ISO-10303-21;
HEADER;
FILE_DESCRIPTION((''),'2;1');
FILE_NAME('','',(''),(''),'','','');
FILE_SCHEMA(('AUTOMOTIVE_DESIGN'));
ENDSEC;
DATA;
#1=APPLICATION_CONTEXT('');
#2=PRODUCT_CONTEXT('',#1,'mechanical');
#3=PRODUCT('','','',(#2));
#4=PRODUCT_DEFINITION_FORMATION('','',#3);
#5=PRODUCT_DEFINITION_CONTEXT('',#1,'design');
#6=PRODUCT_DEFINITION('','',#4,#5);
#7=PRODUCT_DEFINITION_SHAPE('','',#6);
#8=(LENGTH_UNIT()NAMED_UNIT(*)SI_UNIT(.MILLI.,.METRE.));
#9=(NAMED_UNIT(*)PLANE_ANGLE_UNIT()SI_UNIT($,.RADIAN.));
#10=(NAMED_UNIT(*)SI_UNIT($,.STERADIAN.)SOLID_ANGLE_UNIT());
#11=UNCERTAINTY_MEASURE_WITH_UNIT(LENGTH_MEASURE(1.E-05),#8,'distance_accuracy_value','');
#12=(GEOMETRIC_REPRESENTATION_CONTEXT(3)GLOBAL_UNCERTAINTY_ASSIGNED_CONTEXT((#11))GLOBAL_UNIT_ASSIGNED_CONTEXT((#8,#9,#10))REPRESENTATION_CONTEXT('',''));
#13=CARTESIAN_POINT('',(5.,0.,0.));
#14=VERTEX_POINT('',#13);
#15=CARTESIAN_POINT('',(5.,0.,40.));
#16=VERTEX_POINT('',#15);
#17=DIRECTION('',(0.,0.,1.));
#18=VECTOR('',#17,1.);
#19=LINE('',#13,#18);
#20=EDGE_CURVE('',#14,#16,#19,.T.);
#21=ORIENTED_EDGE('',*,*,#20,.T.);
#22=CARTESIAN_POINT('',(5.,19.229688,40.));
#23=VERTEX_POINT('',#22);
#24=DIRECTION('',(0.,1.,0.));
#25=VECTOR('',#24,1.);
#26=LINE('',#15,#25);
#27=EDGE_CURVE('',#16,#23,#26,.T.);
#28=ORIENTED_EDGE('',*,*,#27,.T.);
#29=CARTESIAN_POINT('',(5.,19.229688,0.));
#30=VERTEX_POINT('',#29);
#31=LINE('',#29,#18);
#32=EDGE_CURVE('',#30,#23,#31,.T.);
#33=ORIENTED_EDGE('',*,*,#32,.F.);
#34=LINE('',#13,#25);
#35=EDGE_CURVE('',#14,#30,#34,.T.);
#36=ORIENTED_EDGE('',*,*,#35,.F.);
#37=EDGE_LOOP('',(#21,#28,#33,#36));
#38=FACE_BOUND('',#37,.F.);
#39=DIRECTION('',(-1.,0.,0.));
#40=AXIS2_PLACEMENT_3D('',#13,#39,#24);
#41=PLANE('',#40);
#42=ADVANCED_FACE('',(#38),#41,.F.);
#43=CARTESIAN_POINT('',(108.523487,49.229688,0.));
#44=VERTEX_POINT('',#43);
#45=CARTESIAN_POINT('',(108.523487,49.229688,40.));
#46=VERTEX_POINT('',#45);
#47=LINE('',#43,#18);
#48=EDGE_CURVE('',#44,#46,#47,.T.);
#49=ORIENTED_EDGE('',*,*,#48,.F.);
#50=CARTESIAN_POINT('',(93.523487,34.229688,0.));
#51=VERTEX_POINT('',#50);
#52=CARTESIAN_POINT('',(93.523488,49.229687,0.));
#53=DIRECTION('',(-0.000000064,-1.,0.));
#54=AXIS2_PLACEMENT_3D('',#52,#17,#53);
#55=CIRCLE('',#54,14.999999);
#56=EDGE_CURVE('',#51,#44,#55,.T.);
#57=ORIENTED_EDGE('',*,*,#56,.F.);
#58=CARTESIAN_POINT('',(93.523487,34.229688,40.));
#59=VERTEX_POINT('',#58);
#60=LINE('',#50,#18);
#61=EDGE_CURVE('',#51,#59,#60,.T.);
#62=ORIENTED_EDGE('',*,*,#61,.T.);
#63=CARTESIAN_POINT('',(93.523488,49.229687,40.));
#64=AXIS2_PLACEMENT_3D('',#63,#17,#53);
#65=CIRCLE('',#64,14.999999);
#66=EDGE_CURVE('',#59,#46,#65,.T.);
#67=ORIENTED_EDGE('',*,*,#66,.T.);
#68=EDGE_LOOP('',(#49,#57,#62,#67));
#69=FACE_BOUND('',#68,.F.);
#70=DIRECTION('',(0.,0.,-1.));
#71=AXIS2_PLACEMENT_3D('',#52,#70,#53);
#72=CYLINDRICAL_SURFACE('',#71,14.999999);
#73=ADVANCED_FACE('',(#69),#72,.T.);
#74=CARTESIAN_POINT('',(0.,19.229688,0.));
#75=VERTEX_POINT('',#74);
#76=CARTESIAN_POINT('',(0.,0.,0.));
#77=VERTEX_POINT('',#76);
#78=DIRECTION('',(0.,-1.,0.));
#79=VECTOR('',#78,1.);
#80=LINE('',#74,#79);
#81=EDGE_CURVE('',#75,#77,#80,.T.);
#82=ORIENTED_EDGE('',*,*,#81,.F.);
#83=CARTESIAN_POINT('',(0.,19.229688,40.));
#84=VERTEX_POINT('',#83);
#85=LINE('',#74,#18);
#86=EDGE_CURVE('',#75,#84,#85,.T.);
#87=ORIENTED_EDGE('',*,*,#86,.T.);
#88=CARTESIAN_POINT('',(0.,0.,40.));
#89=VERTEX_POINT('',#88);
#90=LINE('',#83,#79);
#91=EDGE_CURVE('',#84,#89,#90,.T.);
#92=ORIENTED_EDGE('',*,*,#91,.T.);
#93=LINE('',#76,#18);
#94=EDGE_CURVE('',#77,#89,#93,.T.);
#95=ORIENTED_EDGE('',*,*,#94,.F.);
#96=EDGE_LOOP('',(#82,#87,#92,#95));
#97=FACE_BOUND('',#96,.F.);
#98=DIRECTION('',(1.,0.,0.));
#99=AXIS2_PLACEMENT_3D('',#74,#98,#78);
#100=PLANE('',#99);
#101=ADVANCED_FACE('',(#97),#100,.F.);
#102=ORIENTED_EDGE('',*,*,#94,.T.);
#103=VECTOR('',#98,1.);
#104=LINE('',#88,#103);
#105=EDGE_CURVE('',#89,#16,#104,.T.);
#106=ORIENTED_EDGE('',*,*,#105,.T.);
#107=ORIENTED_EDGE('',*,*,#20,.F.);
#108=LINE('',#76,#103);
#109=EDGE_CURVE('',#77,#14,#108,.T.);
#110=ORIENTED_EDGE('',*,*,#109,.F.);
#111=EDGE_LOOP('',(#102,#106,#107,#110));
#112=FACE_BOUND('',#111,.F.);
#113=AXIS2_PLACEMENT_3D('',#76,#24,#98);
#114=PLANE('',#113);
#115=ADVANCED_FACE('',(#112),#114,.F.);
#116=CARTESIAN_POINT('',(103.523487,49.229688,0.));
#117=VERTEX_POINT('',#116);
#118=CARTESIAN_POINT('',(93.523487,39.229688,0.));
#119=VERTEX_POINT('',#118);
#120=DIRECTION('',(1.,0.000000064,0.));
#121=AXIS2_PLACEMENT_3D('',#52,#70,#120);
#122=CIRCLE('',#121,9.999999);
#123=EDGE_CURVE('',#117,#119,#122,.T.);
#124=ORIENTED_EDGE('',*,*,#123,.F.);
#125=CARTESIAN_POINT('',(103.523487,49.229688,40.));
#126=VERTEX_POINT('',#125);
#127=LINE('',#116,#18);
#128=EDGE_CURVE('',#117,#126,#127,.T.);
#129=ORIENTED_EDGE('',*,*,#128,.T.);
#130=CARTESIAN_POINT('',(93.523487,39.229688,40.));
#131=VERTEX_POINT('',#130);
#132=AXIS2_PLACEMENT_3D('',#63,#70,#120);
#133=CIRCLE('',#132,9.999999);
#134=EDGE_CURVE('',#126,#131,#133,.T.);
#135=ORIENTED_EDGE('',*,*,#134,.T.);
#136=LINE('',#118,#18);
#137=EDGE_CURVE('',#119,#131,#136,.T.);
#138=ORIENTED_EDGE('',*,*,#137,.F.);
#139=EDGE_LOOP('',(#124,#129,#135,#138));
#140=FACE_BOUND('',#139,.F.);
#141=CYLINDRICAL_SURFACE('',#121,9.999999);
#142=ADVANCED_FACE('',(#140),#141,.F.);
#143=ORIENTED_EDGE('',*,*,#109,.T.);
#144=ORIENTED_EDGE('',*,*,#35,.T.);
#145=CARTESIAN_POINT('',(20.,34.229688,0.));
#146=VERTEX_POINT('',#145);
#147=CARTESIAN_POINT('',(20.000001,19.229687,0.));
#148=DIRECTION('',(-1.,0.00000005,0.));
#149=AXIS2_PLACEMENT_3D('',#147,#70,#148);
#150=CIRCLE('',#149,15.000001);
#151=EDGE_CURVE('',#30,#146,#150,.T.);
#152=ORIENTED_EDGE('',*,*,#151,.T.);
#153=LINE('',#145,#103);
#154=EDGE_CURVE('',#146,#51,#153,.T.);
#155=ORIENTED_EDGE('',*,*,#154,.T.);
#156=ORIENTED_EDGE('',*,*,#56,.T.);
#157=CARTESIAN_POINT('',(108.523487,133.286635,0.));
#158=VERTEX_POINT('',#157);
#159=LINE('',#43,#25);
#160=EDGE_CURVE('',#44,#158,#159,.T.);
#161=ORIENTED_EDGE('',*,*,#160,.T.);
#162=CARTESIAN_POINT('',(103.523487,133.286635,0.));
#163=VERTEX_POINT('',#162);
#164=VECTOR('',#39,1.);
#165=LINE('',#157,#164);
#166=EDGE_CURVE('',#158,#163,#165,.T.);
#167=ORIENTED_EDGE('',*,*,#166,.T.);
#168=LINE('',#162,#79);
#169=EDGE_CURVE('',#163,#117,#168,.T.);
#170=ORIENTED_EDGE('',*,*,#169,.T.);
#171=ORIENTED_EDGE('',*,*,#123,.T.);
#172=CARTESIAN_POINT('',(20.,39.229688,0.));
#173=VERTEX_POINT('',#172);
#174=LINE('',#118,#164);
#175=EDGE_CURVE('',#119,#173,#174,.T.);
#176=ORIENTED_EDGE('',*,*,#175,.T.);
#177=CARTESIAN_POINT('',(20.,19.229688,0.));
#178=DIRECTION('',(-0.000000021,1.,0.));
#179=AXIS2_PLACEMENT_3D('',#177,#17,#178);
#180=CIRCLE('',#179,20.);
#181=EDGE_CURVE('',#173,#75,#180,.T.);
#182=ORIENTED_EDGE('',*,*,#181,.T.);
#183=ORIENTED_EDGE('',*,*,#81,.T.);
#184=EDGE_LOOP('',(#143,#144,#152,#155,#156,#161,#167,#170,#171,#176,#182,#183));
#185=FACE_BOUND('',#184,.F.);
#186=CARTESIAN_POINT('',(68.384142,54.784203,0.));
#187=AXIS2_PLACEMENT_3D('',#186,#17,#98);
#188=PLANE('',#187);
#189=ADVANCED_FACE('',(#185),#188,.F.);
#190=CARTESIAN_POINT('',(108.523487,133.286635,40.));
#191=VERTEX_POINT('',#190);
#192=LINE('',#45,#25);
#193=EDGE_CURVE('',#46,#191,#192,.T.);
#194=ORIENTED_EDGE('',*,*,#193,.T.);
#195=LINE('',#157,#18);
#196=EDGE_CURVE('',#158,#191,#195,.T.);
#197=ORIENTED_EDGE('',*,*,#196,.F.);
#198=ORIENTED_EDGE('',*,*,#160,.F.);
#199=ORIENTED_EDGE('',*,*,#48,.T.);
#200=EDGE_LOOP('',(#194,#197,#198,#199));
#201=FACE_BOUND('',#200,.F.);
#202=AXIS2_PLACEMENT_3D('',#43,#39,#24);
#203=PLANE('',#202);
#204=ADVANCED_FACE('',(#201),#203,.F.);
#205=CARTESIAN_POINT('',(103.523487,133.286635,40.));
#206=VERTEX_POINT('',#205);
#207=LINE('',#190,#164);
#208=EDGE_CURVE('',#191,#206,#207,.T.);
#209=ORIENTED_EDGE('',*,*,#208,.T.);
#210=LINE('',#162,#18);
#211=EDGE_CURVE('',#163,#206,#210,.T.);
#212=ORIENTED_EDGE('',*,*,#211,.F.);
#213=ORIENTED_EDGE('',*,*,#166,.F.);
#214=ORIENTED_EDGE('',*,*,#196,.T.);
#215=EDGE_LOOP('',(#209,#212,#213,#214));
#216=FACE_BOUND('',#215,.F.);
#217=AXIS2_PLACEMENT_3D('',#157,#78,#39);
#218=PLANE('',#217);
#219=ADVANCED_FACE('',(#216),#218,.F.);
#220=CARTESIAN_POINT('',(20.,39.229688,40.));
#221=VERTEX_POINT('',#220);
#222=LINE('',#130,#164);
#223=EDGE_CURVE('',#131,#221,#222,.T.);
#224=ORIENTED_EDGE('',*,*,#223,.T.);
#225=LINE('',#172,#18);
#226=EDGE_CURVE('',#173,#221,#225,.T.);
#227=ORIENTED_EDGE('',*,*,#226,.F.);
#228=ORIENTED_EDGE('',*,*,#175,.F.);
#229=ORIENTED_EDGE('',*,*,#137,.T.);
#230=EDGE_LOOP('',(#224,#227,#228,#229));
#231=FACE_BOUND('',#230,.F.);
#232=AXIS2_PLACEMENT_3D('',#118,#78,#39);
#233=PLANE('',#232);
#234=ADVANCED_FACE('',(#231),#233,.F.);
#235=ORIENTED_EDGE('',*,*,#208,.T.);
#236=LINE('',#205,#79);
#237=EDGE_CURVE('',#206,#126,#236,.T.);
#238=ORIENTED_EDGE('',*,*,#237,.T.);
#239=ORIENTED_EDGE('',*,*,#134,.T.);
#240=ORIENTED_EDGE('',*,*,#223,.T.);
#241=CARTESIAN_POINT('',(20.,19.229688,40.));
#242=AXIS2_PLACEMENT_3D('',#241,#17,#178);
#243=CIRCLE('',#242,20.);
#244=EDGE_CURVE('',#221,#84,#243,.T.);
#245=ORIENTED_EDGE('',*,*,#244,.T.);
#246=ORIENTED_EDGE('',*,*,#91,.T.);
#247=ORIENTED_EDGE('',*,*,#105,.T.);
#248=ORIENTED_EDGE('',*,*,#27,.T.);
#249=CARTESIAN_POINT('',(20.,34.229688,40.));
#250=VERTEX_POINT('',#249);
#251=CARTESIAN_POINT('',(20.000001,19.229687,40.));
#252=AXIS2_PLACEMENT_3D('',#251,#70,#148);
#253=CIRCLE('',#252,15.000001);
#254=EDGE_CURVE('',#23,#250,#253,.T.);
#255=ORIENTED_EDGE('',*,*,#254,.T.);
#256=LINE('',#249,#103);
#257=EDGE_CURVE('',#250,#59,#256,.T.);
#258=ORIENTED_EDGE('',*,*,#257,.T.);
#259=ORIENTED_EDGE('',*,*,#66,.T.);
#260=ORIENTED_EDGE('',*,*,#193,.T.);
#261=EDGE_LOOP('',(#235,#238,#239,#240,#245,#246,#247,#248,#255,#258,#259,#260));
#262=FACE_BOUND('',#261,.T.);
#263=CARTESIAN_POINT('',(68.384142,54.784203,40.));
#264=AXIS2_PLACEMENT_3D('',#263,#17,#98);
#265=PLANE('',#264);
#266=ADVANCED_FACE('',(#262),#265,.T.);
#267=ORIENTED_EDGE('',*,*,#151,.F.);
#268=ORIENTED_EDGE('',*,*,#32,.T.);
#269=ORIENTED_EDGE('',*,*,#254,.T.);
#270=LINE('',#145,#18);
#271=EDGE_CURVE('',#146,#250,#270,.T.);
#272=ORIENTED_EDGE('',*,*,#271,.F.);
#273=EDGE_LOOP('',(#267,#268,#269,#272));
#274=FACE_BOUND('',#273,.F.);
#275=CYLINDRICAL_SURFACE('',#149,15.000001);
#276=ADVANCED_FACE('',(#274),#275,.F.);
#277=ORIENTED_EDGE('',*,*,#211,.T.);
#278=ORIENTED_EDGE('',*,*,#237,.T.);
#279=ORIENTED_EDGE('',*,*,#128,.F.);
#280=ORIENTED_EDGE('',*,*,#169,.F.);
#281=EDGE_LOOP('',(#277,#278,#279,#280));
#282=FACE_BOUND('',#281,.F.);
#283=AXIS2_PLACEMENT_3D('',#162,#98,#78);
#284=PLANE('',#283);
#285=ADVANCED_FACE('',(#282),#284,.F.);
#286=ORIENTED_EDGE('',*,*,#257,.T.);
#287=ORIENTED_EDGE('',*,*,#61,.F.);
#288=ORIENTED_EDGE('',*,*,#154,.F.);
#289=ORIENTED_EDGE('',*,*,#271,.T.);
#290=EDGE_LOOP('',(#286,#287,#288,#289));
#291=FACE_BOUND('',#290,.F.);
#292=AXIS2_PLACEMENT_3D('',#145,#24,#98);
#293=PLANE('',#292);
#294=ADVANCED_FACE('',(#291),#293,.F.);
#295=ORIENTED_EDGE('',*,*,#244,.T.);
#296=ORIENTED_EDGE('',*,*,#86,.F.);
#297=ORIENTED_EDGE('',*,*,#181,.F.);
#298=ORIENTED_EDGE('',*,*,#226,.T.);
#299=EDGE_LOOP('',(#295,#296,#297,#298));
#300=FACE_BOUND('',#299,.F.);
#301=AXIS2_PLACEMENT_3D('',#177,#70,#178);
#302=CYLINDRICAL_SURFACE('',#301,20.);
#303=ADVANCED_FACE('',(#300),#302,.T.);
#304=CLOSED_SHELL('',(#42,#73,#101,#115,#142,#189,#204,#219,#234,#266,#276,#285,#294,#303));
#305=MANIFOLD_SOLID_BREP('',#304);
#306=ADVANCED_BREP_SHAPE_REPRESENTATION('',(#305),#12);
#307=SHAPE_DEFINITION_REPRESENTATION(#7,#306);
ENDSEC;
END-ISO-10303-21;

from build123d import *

# Parameters (mm, degrees)
F1_DEPTH = 40


with BuildPart() as f1:
    # F0 (on Top) → F1 (new body)
    with BuildSketch(Plane.XY):
        with BuildLine():
            Line((0, 19.229688), (0, 0))
            Line((0, 0), (5, 0))
            Line((5, 0), (5, 19.229688))
            ThreePointArc((5, 19.229688), (9.393398, 29.836289), (20, 34.229688))
            Line((20, 34.229688), (93.523487, 34.229688))
            ThreePointArc((93.523487, 34.229688), (104.130089, 38.623086), (108.523487, 49.229688))
            Line((108.523487, 49.229688), (108.523487, 133.286635))
            Line((108.523487, 133.286635), (103.523487, 133.286635))
            Line((103.523487, 133.286635), (103.523487, 49.229688))
            ThreePointArc((103.523487, 49.229688), (100.594555, 42.15862), (93.523487, 39.229688))
            Line((93.523487, 39.229688), (20, 39.229688))
            ThreePointArc((20, 39.229688), (5.857864, 33.371823), (0, 19.229688))
        make_face()
    extrude(amount=F1_DEPTH)


solid = f1.part
